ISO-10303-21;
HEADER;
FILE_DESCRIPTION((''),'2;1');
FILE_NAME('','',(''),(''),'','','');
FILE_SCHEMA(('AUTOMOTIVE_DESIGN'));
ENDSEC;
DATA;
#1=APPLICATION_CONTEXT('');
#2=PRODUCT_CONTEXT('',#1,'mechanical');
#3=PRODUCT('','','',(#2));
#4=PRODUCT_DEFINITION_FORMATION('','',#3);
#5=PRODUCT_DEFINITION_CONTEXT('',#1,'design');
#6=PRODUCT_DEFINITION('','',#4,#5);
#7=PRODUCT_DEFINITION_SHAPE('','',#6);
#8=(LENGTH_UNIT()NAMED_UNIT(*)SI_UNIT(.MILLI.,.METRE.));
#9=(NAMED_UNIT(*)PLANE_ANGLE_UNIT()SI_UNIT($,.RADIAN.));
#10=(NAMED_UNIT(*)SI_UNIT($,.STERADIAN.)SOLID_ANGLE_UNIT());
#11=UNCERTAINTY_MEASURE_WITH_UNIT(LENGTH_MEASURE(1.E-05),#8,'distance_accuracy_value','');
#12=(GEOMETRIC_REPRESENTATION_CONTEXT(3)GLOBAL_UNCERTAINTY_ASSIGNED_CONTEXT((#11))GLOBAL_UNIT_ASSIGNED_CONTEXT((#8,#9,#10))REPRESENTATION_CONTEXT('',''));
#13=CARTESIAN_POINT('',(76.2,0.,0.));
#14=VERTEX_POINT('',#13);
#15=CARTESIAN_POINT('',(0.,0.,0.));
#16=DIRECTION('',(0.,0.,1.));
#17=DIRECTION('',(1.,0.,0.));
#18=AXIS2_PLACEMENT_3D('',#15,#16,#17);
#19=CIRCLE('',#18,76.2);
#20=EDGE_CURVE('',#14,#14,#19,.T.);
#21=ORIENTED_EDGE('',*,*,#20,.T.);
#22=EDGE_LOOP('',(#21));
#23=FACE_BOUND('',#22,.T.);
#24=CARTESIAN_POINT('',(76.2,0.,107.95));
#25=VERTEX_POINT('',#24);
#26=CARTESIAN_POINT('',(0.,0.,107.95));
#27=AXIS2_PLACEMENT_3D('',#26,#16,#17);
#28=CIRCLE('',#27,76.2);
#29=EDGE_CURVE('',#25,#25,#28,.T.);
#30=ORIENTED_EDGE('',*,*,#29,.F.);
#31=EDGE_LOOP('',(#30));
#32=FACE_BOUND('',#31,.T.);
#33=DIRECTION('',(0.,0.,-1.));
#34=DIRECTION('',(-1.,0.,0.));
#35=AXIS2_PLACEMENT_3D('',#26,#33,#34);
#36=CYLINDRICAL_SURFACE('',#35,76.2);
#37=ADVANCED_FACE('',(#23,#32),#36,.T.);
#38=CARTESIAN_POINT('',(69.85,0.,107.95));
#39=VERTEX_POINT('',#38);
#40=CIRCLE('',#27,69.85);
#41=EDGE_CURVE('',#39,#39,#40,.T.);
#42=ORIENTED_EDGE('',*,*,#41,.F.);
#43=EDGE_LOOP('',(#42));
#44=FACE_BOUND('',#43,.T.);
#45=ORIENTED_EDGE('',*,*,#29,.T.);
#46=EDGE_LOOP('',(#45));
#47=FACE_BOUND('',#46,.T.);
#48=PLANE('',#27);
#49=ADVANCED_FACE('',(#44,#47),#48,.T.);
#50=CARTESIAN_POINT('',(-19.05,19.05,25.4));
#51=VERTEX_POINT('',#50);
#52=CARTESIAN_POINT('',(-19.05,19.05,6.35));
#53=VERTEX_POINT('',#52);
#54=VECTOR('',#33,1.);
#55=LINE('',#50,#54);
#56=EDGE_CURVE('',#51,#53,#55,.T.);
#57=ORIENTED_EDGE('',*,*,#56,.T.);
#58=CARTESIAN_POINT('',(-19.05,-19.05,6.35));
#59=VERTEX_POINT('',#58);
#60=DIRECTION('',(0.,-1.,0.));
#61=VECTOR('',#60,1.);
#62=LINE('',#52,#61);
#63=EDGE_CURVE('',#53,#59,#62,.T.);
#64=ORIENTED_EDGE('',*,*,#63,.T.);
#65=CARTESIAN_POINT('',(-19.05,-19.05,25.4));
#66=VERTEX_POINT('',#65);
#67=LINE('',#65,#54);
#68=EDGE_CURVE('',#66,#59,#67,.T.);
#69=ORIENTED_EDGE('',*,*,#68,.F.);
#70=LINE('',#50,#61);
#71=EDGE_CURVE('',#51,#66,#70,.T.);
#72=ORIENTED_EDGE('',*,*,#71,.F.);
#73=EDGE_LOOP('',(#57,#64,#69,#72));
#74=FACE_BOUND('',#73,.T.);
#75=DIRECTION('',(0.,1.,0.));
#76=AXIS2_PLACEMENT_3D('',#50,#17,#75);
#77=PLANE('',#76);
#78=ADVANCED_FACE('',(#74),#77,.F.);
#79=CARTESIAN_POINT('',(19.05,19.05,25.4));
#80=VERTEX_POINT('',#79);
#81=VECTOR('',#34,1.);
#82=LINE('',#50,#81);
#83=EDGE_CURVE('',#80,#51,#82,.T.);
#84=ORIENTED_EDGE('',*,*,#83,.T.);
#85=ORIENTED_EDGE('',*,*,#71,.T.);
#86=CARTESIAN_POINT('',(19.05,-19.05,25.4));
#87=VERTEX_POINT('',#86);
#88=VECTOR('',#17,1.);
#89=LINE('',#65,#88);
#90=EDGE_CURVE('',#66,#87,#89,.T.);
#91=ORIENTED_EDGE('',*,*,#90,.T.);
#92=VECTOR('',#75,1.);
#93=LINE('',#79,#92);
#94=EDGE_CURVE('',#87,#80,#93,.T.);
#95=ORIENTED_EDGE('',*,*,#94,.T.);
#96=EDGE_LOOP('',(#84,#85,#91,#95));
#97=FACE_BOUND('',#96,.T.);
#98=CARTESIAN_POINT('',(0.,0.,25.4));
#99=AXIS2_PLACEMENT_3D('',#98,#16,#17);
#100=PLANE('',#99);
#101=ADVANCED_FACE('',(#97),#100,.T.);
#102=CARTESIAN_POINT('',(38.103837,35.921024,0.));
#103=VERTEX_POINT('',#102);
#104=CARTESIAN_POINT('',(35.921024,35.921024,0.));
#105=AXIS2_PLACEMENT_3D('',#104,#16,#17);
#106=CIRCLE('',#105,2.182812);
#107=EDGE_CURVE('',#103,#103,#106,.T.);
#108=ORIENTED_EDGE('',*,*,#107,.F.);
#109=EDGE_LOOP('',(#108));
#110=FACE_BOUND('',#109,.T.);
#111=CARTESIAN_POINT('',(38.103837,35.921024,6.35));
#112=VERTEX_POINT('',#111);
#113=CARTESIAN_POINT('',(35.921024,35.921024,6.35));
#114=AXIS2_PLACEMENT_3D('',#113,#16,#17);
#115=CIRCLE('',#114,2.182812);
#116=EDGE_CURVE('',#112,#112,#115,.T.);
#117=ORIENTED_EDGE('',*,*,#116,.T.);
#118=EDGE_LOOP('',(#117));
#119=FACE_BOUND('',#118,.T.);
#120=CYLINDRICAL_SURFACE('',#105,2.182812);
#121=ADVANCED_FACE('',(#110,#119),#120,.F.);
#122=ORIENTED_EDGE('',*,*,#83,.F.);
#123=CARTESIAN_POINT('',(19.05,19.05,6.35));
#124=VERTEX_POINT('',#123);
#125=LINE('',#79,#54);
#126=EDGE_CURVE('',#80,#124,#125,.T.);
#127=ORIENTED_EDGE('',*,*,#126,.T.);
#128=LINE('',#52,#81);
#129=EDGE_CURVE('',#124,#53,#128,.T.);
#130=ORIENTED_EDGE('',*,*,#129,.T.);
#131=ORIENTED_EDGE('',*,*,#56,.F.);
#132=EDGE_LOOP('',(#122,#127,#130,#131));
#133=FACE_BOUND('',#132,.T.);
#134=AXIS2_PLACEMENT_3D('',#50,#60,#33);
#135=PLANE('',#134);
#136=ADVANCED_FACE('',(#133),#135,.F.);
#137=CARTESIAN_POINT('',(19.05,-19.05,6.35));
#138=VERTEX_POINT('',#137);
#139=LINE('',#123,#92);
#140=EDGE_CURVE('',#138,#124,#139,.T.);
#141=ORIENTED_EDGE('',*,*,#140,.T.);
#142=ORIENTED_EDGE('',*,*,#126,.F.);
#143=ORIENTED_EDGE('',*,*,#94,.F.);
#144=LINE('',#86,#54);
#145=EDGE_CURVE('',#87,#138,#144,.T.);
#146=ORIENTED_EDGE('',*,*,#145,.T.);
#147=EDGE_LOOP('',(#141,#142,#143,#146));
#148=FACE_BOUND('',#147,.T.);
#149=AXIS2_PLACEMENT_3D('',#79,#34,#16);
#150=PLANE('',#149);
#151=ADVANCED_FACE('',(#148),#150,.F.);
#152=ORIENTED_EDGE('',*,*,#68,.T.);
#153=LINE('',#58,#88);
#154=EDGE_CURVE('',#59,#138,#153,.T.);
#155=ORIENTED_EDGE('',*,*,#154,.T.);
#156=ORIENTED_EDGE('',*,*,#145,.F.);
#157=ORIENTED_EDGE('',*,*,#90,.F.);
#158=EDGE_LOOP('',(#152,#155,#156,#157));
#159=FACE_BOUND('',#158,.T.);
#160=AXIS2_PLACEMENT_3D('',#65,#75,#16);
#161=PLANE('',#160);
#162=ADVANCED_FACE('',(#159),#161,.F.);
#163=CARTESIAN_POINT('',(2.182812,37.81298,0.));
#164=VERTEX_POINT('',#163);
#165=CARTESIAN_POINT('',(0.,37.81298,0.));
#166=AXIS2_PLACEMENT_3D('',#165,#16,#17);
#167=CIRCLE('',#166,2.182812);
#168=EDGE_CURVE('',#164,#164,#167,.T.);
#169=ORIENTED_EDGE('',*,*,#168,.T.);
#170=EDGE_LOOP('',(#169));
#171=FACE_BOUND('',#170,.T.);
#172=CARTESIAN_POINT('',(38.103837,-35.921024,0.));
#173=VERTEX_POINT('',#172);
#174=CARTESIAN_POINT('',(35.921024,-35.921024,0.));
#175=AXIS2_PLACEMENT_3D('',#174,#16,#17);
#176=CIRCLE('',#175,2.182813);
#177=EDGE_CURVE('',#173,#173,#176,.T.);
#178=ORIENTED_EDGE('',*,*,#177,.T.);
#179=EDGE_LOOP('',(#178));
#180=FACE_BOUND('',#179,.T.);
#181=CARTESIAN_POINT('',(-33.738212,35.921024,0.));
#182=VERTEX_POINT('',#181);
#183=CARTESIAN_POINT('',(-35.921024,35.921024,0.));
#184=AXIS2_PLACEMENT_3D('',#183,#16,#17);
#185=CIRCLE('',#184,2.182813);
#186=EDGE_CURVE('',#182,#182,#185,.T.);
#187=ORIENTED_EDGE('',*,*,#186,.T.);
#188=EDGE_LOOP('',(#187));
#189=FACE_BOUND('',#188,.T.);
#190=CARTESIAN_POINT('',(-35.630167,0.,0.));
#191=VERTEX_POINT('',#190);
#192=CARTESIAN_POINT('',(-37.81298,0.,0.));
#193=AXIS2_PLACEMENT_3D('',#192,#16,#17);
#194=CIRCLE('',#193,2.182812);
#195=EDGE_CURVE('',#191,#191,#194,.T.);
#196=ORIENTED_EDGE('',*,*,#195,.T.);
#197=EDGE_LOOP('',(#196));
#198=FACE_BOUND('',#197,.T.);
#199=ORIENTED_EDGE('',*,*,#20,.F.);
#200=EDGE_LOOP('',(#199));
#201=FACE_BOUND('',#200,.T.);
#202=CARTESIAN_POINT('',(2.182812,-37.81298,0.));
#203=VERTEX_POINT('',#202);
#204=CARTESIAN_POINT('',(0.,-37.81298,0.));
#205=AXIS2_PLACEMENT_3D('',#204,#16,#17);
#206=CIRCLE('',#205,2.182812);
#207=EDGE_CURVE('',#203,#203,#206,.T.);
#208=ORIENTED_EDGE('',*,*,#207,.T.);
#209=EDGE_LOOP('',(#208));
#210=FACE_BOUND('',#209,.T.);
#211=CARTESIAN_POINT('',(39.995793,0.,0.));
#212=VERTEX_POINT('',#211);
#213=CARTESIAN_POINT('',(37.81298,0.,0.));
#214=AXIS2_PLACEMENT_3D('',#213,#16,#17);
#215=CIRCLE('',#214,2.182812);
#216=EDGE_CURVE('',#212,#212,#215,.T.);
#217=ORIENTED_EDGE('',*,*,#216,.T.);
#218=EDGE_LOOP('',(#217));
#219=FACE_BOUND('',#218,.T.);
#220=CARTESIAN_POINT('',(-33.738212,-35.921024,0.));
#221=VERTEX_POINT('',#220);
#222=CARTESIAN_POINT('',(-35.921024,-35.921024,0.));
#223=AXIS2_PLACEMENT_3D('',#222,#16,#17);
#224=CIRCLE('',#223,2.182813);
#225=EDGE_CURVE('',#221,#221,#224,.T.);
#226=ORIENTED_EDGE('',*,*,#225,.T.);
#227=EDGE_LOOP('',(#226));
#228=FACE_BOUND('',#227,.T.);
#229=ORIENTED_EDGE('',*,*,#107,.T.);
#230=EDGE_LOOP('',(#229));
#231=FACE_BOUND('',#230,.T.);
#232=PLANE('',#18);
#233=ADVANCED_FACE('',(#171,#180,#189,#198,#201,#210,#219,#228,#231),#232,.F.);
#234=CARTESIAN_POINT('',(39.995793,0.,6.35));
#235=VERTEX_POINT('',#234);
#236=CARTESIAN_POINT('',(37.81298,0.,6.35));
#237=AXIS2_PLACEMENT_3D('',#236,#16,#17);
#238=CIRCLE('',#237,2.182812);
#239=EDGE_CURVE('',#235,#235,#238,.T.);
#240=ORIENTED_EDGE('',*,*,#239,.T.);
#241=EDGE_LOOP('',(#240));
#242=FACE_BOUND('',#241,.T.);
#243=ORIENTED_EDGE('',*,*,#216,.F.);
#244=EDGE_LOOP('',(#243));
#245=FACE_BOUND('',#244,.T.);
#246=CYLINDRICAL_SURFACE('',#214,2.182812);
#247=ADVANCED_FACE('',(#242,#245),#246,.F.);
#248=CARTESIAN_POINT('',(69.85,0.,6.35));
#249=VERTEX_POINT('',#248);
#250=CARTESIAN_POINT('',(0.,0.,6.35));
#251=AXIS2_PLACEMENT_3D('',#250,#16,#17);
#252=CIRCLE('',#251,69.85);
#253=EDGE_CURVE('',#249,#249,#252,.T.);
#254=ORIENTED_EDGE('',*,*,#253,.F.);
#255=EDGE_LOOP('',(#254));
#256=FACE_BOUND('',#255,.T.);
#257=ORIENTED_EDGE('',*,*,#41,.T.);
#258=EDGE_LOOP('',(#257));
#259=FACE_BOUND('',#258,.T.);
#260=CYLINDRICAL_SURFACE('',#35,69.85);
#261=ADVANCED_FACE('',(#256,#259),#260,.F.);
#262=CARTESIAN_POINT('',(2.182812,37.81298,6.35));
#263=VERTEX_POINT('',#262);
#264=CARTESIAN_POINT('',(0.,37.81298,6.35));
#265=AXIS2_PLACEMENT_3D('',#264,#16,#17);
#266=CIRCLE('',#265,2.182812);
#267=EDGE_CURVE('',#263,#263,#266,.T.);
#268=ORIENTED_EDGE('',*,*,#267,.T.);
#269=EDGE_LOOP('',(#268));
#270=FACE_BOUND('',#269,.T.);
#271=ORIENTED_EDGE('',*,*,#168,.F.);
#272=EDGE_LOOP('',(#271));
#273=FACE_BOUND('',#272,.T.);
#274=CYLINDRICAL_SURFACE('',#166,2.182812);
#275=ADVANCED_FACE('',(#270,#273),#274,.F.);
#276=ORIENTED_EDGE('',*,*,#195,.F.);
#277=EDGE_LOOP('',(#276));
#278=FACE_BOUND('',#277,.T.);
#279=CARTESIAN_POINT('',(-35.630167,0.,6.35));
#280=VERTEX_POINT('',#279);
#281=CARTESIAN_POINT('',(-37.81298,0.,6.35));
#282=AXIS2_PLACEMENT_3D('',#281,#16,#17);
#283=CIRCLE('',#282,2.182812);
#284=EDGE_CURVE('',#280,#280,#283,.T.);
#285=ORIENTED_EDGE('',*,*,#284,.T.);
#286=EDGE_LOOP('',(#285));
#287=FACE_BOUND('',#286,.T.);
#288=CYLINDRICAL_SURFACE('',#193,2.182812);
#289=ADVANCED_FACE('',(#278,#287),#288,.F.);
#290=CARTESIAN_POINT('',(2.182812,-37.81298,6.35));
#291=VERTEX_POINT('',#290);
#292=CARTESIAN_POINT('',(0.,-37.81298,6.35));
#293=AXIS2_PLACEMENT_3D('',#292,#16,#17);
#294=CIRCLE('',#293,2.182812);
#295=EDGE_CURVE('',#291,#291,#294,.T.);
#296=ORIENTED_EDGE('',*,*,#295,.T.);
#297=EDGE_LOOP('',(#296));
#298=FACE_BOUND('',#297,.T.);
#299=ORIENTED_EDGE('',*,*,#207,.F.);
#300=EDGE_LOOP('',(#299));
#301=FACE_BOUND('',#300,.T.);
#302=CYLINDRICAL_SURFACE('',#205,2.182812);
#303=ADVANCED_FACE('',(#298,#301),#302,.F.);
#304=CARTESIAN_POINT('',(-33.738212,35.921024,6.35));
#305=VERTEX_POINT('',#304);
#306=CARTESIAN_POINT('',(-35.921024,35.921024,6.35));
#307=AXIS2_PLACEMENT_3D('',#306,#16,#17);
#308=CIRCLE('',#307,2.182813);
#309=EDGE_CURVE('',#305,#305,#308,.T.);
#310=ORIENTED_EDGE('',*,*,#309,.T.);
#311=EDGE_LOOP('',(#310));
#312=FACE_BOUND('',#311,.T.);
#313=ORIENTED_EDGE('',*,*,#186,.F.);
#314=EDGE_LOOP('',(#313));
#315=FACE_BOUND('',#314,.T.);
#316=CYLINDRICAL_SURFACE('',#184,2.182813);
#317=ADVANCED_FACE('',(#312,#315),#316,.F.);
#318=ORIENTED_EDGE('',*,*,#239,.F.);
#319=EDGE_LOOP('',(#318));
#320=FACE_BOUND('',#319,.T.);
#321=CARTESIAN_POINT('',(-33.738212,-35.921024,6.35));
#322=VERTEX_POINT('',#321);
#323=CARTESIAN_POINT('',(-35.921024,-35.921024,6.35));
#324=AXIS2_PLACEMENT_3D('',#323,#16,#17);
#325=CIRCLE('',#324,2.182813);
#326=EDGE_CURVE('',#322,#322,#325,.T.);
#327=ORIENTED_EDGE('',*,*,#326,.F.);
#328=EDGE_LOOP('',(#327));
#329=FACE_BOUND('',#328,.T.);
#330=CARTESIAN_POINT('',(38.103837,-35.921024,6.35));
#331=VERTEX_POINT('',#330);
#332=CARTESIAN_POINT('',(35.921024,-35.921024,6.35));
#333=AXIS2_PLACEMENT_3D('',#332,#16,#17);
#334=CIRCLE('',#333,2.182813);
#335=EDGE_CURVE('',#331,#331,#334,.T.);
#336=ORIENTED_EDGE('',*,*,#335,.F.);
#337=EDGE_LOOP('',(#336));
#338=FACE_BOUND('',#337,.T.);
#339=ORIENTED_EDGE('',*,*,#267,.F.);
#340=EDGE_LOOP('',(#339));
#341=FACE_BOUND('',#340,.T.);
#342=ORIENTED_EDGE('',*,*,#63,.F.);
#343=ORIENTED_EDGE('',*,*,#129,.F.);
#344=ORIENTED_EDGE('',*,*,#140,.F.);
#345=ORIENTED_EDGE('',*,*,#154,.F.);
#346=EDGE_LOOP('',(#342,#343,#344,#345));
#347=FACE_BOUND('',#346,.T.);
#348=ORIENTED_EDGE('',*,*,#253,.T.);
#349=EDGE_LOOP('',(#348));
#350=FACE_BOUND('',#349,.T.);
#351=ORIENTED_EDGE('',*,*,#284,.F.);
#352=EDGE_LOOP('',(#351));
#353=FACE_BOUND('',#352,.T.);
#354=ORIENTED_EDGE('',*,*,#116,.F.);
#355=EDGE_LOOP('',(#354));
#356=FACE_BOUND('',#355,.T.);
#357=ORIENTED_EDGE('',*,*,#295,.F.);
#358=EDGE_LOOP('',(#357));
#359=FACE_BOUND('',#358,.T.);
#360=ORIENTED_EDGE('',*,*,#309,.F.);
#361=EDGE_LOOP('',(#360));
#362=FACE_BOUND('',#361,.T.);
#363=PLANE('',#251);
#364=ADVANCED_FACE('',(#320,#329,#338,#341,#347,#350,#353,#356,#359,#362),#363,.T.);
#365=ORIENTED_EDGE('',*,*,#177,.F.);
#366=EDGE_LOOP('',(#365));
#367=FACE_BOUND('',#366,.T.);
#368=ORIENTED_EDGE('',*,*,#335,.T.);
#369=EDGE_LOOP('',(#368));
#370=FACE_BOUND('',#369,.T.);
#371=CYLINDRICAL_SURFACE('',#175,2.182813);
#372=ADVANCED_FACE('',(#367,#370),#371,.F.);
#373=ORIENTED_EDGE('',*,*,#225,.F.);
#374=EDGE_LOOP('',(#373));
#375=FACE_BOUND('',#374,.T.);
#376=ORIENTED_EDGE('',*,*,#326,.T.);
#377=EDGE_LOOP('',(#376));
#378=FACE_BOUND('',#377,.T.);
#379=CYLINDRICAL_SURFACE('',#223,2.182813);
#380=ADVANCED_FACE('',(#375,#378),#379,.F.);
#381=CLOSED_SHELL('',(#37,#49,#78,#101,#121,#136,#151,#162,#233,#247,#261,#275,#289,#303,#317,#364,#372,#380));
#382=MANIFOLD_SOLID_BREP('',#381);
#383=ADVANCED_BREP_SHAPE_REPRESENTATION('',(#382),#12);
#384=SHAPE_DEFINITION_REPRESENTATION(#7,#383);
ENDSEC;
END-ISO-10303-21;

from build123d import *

# Parameters (mm, degrees)
SKETCH1_R           = 76.2
SKETCH1_R_2         = 69.85
BOSS_EXTRUDE1_DEPTH = 107.95
SKETCH3_R           = 76.2
BOSS_EXTRUDE2_DEPTH = 6.35
SKETCH5_R           = 2.1828125
CUT_EXTRUDE2_DEPTH  = 7.35
SKETCH11_R          = 2.1828125
CUT_EXTRUDE11_DEPTH = 7.35
SKETCH4_3_W         = 38.1
SKETCH4_3_H         = 38.1
BOSS_EXTRUDE3_DEPTH = 19.05


with BuildPart() as part:
    # Sketch1 → Boss-Extrude1 (new body)
    with BuildSketch(Plane.XY):
        Circle(SKETCH1_R)
        Circle(SKETCH1_R_2, mode=Mode.SUBTRACT)
    extrude(amount=BOSS_EXTRUDE1_DEPTH)

    # Sketch3 → Boss-Extrude2 (add)
    with BuildSketch(Plane.XY):
        Circle(SKETCH3_R)
    extrude(amount=BOSS_EXTRUDE2_DEPTH)

    # Sketch5 → Cut-Extrude2 (cut, through all)
    with BuildSketch(Plane.XY.offset(6.35)):
        with Locations((0, 37.81298)):
            Circle(SKETCH5_R)
        with Locations((37.81298, 0)):
            Circle(SKETCH5_R)
        with Locations((-37.81298, 0)):
            Circle(SKETCH5_R)
        with Locations((0, -37.81298)):
            Circle(SKETCH5_R)
    extrude(amount=-CUT_EXTRUDE2_DEPTH, mode=Mode.SUBTRACT)

    # Sketch11 → Cut-Extrude11 (cut, through all)
    with BuildSketch(Plane.XY.offset(6.35)):
        with Locations((-35.921024484, 35.921024484)):
            Circle(SKETCH11_R)
        with Locations((-35.921024484, -35.921024484)):
            Circle(SKETCH11_R)
        with Locations((35.921024484, -35.921024484)):
            Circle(SKETCH11_R)
        with Locations((35.921024484, 35.921024484)):
            Circle(SKETCH11_R)
    extrude(amount=-CUT_EXTRUDE11_DEPTH, mode=Mode.SUBTRACT)

    # Sketch4_3 → Boss-Extrude3 (add)
    with BuildSketch(Plane.XY.offset(6.35)):
        Rectangle(SKETCH4_3_W, SKETCH4_3_H)
    extrude(amount=BOSS_EXTRUDE3_DEPTH)


solid = part.part
